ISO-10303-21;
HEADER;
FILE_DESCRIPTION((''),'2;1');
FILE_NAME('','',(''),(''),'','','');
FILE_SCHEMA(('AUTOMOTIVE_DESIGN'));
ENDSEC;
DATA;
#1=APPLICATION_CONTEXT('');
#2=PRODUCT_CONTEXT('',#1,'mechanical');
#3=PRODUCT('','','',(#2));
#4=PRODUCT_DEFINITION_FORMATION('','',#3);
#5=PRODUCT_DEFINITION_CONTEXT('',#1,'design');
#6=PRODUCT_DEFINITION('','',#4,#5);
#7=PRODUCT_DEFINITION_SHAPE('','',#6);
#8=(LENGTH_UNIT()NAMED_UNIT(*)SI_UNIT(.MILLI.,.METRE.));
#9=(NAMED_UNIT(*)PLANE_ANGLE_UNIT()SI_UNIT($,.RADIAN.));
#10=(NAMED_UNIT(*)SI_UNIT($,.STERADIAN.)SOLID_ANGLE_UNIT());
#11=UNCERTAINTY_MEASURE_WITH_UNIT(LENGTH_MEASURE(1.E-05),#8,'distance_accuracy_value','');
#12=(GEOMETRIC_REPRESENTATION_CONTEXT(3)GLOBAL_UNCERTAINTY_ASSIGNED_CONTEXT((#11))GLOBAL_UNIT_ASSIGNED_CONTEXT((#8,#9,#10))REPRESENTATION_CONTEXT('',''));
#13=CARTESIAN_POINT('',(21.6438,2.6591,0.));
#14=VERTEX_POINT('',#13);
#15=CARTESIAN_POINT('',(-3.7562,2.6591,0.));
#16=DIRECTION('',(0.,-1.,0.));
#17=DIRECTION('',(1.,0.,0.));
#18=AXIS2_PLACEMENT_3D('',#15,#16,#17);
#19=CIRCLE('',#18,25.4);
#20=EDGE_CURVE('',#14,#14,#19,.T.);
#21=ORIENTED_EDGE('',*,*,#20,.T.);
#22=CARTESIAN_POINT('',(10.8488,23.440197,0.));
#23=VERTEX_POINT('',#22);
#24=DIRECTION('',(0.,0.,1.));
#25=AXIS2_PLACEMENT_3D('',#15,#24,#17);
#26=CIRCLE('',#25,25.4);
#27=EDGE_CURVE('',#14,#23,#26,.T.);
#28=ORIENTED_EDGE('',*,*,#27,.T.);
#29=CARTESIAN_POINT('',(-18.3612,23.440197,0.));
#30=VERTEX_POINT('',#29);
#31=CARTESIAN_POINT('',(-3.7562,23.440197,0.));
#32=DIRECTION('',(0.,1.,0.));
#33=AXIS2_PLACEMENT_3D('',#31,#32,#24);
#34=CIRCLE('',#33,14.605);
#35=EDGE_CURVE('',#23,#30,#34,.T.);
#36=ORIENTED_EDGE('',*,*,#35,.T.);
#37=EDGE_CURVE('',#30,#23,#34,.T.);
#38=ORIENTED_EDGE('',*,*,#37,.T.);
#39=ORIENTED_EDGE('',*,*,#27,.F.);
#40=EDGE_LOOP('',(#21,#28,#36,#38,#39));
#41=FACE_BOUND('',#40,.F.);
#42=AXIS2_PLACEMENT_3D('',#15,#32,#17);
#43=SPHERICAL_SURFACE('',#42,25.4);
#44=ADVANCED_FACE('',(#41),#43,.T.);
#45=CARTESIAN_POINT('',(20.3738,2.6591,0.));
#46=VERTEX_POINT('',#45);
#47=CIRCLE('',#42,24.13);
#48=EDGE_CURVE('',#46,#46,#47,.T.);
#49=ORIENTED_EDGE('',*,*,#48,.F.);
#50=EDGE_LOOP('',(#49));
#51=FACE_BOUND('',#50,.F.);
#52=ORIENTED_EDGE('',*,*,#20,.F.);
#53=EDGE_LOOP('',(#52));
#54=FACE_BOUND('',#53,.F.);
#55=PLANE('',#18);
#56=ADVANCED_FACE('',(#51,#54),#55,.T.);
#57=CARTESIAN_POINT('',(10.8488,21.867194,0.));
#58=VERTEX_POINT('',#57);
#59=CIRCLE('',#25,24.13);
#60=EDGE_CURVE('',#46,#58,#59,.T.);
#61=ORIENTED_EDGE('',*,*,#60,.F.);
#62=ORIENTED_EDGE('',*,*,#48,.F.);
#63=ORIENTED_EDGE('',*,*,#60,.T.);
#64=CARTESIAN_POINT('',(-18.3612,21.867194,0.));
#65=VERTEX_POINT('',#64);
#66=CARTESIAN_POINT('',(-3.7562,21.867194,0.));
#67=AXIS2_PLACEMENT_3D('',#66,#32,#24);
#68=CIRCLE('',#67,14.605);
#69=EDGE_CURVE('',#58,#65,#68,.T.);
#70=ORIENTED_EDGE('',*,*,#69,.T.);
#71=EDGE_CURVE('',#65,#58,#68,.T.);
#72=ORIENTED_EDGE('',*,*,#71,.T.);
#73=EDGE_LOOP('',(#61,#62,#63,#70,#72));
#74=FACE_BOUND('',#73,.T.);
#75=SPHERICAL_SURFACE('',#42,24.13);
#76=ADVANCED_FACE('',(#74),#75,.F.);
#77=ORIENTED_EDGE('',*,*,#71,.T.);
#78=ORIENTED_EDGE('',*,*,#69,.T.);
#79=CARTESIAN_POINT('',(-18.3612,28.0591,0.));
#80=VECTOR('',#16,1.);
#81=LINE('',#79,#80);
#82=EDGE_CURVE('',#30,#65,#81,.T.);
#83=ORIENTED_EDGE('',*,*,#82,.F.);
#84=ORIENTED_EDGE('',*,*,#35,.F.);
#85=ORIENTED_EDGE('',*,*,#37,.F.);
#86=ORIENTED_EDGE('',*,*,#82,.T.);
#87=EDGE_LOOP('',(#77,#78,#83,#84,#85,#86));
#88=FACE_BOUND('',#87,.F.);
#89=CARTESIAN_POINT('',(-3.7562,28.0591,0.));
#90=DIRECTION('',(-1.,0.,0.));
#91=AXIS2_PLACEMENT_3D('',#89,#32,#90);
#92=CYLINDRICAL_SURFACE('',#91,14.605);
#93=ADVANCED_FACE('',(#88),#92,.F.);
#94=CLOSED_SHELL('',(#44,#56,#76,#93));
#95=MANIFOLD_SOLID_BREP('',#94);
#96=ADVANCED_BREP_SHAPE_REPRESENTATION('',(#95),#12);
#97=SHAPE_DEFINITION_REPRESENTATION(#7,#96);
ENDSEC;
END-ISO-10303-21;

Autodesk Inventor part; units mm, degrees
sketch "Sketch1" plane through (0, 0, 0) normal (0, 0, 1) x (1, 0, 0)
  arc A0 (21.6438, 2.6591) -> (-3.7562, 28.0591) centre (-3.7562, 2.6591) ccw
  line L0 (-3.7562, 28.0591) -> (-3.7562, 2.6591)
  line L1 (-3.7562, 2.6591) -> (22.0131, 2.6591)
  dimension "d0" = 50.8
revolve "Revolution1" add sketch "Sketch1" angle 360 about axis through (-3.7562, 28.0591, 0) along (0, -1, 0)
ref_plane "Work Plane1" through (0, 0, 19.05) normal (0, 0, 1) x (1, 0, 0)
sketch "Sketch3" plane through (0, 0, 0) normal (0, 0, 1) x (1, 0, 0)
  line L0 (-3.675, 51.7812) -> (-3.675, -20.9618)
shell "Shell2" thickness 1.27 removed faces 1 at (1.2995, 2.6591, -4.9417)
ref_plane "Work Plane3" through (-11.1125, 0, 0) normal (1, 0, 0) x (0, 1, 0)
ref_plane "Work Plane5" through (-3.7562, 28.0591, 0) normal (0, 1, 0) x (-1, 0, 0)
sketch "Sketch12" plane through (-3.7562, 28.0591, 0) normal (0, 1, 0) x (-1, 0, 0)
  circle A0 centre (0, 0) radius 14.605
  dimension "d36" = 29.21
extrude "Extrusion8" cut sketch "Sketch12" against normal blind 25.4
properties part number "SentiBot top"
